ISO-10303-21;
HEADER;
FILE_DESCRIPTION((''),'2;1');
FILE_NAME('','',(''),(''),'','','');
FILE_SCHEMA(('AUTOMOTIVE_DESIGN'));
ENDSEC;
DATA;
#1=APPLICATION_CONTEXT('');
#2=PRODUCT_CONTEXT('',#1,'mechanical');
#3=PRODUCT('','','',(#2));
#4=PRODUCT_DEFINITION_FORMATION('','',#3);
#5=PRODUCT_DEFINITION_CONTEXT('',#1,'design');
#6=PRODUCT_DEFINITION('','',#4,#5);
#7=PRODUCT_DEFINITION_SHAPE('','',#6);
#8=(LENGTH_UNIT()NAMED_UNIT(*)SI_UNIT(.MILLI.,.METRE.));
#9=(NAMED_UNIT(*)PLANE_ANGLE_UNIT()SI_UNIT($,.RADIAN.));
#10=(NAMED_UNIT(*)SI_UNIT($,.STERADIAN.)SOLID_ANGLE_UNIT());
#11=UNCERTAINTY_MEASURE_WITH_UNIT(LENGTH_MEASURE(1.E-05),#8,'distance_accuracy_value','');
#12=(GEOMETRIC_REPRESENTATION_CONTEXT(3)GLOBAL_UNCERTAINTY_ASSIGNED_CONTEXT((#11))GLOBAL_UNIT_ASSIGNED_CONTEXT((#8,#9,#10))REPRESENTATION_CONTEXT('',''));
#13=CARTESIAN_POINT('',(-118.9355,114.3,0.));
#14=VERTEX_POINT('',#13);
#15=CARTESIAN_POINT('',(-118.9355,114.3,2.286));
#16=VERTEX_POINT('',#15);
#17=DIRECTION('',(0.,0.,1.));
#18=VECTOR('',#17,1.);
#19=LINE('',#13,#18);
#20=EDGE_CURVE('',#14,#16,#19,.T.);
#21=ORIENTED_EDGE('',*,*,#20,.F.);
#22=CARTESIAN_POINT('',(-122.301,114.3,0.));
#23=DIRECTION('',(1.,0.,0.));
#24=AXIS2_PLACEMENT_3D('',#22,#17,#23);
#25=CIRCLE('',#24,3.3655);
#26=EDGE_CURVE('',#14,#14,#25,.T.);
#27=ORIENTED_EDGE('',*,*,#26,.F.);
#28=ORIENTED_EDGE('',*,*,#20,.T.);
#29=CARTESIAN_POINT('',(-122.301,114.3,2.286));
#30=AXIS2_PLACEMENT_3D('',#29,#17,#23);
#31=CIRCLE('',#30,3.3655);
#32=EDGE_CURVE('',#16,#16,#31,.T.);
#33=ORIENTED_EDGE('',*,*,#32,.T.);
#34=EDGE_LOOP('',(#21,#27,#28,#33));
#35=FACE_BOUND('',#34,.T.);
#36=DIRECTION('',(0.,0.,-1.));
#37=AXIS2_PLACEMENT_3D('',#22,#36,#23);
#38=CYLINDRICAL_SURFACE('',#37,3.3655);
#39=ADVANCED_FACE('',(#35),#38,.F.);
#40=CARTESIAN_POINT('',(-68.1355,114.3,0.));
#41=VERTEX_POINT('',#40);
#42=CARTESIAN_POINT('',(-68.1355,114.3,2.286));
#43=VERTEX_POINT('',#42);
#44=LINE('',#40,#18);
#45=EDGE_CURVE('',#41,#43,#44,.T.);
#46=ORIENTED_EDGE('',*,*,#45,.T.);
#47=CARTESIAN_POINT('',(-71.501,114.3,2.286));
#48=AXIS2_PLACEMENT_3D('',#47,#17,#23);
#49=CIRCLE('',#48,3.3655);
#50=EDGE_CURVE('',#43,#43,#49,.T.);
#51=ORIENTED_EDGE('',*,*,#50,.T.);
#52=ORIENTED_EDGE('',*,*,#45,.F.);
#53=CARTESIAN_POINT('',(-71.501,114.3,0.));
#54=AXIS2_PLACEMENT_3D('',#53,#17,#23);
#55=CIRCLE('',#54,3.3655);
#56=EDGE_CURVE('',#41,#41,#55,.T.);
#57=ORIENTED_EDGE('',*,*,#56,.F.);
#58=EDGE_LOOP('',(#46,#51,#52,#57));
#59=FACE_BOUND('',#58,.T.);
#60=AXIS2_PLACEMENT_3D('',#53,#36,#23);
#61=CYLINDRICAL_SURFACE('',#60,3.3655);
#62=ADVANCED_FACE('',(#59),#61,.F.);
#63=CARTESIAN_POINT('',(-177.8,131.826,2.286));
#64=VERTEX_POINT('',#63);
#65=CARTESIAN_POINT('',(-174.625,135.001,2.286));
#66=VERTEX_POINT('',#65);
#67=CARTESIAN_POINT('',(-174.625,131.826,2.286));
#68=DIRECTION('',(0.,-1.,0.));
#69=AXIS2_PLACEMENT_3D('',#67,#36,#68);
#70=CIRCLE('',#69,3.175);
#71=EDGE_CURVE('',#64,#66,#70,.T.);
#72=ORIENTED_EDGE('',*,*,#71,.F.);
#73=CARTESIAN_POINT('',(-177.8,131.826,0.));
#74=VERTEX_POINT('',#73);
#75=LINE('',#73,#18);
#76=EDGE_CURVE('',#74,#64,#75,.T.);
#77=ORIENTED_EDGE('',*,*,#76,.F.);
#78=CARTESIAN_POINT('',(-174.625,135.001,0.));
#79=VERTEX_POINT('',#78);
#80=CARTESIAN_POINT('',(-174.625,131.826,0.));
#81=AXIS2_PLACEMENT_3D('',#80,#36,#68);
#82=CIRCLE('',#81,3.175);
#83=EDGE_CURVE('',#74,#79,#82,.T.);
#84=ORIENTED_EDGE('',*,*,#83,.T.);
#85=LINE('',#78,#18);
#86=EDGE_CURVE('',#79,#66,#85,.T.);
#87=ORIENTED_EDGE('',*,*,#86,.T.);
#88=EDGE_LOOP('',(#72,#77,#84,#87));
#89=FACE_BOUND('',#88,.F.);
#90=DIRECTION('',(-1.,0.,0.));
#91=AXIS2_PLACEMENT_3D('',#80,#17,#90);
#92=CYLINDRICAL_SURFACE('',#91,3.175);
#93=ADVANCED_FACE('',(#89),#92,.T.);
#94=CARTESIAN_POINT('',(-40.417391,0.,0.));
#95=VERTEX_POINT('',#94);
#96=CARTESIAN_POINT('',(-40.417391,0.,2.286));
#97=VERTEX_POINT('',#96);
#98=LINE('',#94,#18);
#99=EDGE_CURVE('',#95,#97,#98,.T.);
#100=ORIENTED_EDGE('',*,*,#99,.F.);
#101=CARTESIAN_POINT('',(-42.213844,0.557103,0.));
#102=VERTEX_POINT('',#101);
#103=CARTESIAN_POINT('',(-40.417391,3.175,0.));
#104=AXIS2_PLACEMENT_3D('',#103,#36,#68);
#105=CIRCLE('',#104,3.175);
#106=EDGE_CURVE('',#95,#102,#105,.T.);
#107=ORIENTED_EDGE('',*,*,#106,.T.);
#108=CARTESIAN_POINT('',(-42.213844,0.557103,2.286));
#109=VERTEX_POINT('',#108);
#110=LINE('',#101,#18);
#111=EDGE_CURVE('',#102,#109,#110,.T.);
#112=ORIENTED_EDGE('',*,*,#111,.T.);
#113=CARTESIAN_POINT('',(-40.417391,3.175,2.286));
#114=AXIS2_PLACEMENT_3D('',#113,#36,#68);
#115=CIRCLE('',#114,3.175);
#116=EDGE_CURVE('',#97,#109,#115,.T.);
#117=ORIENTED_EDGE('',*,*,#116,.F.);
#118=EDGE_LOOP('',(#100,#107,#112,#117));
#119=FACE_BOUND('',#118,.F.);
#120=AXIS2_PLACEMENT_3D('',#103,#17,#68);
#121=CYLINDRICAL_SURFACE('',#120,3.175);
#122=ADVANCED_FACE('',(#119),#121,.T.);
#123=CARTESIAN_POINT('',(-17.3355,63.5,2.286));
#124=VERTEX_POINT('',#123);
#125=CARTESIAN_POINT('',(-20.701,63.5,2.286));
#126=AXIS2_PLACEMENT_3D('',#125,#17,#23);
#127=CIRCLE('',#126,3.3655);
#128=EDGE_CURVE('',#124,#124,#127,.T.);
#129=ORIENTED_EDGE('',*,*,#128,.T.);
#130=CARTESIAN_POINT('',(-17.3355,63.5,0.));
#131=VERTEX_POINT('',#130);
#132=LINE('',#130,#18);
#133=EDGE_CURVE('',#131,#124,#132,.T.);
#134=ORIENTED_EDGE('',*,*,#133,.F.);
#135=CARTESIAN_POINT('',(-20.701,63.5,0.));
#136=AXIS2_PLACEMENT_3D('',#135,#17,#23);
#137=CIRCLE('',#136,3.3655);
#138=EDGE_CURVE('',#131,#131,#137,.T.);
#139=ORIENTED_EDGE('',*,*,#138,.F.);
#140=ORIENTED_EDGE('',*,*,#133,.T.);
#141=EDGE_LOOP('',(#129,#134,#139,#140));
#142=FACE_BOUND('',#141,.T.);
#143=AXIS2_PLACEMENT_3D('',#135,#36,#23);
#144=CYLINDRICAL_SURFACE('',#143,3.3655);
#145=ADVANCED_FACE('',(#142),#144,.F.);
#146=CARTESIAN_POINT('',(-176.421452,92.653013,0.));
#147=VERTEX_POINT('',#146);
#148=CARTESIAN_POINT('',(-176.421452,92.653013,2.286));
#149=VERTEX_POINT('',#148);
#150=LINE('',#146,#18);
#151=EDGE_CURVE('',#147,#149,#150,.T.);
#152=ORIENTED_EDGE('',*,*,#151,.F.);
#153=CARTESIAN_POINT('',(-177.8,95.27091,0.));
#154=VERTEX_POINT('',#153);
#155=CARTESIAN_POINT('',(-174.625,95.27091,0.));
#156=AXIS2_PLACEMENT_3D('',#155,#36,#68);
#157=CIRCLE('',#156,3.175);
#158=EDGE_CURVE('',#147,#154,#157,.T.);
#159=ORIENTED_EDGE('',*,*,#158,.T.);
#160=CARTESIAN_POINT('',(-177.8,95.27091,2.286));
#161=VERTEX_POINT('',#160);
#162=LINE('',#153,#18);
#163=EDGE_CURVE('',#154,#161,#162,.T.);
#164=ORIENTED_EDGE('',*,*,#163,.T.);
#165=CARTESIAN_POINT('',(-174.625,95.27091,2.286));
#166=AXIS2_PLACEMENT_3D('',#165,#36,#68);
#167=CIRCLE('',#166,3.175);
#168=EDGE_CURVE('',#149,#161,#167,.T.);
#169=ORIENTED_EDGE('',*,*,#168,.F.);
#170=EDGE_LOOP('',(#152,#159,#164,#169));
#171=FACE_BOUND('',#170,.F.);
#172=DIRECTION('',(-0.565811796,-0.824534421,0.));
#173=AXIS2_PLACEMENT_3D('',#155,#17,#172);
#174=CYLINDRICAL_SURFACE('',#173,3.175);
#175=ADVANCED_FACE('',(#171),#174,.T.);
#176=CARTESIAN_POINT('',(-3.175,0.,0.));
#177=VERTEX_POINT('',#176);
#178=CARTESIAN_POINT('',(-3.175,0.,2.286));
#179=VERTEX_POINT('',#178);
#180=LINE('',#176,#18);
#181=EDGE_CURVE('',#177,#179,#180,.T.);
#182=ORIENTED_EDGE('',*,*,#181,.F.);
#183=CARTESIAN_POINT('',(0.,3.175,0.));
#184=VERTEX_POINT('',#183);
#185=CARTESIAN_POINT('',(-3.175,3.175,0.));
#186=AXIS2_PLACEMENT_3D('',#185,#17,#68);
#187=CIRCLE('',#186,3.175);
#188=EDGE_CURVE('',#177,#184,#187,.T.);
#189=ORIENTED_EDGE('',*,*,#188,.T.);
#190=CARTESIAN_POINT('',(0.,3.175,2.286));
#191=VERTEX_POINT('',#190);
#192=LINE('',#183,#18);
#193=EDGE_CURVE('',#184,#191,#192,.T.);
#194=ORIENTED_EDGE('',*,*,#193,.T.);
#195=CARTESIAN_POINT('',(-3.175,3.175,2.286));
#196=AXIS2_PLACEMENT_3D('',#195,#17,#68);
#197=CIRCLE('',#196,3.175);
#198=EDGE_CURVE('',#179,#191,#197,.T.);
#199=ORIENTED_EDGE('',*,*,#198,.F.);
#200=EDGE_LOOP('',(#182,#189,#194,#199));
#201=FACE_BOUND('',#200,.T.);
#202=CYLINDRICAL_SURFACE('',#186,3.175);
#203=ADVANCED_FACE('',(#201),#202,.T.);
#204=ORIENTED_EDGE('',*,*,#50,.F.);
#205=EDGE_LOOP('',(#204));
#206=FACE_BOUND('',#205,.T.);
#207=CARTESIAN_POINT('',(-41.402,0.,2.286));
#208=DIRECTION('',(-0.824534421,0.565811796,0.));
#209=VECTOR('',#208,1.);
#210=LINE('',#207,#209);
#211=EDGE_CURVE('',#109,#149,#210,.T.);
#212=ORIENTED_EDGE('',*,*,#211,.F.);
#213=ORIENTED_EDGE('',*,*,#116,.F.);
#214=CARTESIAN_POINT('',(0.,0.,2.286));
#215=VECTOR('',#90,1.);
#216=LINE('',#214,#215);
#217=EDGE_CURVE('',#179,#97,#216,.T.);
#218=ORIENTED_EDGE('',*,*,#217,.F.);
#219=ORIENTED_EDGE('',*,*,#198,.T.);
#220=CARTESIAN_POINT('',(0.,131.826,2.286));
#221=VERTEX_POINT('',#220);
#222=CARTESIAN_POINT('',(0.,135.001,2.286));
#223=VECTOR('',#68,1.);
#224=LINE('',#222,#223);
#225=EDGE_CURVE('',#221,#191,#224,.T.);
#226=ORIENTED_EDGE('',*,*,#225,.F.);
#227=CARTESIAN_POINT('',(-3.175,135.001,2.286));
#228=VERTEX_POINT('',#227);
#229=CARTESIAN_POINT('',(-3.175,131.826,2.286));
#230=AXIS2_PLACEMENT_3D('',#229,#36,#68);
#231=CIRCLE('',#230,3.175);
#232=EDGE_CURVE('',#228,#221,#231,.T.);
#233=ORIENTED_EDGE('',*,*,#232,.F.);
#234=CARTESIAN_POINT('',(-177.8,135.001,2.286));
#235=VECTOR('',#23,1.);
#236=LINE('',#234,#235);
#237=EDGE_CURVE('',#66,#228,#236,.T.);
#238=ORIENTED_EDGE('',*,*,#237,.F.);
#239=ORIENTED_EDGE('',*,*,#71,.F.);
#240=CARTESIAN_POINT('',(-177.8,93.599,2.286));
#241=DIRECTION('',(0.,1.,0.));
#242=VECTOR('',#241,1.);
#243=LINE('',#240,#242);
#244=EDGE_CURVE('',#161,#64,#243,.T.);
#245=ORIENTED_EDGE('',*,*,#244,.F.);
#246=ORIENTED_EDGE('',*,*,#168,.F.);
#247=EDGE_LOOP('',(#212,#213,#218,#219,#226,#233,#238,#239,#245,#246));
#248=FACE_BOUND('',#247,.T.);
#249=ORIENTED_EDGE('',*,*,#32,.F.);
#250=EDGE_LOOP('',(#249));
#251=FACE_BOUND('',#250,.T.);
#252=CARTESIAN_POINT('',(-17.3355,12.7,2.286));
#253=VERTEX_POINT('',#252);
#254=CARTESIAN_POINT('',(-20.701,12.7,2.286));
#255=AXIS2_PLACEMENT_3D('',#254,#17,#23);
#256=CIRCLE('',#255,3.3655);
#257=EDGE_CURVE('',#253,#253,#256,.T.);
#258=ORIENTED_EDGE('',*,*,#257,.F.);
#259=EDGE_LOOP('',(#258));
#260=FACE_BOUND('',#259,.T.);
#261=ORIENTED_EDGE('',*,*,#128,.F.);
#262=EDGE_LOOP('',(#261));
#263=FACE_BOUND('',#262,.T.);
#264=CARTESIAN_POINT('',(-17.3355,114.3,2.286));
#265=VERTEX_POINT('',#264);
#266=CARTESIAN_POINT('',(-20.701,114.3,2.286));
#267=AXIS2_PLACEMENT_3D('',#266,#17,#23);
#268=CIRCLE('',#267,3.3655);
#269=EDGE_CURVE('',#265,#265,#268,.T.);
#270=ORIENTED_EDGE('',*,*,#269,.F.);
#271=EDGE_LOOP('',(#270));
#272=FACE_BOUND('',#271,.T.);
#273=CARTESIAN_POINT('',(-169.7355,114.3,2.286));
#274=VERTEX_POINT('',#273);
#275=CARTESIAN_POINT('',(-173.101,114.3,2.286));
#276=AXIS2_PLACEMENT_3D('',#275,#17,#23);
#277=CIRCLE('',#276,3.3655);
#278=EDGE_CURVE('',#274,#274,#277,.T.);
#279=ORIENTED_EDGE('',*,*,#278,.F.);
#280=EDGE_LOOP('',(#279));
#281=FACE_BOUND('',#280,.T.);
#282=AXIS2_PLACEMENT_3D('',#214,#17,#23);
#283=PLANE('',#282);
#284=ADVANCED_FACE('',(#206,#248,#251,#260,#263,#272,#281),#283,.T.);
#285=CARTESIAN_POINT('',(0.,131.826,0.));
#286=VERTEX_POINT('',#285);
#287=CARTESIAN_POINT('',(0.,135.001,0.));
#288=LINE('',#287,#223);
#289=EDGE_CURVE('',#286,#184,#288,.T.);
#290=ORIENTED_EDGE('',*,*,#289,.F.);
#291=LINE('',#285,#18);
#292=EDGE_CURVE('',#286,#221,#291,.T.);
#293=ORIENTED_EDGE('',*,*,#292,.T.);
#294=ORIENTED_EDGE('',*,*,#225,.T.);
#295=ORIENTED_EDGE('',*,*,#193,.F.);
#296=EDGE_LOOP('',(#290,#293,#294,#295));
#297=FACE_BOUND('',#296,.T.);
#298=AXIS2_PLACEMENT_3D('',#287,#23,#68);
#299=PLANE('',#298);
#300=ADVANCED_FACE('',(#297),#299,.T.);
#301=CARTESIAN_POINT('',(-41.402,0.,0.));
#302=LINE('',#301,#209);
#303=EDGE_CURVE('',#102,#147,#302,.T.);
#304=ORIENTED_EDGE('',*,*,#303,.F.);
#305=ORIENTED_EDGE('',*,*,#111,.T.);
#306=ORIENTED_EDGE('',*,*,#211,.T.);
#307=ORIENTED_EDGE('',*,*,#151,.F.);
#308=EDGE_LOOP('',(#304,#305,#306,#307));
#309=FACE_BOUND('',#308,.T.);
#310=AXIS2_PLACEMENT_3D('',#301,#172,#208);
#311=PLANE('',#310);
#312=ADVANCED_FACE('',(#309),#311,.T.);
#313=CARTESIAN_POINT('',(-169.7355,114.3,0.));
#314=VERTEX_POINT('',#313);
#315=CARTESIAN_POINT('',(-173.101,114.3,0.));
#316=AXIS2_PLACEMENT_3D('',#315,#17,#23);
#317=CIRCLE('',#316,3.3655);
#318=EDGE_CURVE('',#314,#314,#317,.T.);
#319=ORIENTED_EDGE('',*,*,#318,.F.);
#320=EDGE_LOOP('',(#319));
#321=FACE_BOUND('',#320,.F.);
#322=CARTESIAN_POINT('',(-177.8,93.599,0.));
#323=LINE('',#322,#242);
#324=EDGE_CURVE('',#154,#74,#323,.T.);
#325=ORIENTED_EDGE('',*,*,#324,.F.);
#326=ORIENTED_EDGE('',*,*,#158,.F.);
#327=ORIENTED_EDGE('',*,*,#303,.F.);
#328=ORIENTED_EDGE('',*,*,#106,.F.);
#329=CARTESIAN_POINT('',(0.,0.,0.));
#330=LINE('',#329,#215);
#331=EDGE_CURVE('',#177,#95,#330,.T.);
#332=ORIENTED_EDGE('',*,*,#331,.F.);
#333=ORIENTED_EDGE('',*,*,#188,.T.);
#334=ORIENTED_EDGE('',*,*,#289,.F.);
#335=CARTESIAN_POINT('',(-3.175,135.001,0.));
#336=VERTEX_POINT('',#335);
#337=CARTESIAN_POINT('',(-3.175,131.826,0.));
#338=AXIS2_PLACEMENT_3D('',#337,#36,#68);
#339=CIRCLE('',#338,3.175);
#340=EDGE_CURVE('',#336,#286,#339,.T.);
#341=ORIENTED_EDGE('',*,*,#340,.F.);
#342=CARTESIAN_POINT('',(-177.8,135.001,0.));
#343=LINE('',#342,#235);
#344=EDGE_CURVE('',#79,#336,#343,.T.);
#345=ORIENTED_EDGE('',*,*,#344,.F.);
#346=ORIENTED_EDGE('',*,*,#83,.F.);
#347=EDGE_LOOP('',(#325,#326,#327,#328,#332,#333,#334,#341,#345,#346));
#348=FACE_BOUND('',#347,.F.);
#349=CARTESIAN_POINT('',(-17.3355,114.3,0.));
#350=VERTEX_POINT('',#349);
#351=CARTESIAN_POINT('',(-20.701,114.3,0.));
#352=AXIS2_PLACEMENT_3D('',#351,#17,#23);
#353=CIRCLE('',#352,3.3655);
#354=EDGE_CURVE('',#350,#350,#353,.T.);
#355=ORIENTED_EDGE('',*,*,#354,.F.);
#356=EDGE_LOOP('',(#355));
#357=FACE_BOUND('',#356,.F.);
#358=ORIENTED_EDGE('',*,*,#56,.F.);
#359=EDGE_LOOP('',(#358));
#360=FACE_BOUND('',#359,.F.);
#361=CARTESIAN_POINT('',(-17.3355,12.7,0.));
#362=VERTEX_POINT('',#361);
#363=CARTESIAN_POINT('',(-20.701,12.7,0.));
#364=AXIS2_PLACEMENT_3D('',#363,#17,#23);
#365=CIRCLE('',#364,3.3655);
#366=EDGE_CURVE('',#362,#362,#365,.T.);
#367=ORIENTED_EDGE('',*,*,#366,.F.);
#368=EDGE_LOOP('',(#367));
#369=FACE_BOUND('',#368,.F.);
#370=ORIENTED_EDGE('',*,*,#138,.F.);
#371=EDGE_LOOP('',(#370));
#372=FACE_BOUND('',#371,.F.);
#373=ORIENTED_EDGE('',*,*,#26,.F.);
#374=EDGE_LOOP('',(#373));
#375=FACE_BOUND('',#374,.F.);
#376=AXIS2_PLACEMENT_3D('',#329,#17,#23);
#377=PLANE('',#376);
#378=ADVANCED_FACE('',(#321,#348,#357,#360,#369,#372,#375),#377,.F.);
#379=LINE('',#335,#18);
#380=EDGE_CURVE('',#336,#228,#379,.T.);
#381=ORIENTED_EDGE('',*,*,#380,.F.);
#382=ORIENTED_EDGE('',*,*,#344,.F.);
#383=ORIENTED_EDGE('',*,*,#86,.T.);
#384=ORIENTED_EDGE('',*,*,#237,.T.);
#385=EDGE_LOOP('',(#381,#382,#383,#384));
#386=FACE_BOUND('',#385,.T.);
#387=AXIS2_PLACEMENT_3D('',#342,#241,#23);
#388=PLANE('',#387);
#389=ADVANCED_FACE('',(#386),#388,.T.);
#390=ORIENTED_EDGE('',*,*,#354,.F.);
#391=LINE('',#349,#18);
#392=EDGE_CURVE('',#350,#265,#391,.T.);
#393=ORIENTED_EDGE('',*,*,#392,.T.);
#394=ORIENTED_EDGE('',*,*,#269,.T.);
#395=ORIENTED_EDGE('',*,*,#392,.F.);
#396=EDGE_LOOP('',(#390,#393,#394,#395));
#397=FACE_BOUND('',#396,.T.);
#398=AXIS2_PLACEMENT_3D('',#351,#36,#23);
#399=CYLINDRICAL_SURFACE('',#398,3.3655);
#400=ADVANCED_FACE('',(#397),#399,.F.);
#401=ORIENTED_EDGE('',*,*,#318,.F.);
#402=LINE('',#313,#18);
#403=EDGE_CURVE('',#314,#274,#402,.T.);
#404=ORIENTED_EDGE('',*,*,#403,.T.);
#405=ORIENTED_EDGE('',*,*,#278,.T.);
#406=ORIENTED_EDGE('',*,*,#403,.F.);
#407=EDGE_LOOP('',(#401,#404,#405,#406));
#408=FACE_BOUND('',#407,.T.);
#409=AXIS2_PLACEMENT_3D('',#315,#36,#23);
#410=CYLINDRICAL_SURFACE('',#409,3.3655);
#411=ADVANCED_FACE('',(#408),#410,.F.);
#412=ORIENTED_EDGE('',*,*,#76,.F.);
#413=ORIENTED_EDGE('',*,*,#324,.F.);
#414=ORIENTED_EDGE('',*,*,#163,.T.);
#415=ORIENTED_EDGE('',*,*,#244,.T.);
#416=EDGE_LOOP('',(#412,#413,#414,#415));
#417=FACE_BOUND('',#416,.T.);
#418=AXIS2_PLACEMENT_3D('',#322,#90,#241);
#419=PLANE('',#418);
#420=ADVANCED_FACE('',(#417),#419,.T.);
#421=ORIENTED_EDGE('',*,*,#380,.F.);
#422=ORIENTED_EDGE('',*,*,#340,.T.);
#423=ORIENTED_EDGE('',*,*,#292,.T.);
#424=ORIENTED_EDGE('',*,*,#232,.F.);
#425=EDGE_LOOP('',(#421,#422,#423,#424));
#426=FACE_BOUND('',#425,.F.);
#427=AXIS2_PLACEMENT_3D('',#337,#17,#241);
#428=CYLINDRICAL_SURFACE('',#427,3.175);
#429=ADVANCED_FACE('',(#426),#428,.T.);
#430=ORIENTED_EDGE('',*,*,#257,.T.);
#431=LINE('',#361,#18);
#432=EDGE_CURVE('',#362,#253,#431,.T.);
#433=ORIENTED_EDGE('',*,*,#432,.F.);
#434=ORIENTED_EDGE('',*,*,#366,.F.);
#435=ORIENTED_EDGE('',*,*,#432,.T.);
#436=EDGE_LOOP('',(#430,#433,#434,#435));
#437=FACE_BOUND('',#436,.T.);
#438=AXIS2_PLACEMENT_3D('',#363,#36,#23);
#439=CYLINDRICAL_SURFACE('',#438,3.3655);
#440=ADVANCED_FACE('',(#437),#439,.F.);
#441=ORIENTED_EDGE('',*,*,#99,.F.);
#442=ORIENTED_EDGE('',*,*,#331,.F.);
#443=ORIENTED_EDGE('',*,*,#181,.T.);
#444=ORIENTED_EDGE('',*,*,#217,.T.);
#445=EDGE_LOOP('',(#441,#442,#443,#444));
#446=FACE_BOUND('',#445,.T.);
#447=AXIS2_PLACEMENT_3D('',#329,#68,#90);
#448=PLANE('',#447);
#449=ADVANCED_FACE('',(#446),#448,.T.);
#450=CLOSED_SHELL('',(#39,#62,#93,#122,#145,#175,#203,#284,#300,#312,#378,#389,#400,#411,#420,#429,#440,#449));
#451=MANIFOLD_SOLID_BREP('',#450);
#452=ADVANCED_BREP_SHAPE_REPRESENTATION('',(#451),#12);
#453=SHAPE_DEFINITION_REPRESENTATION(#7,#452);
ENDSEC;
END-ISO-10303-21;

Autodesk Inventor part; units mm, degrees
ref_plane "YZ Plane" through (0, 0, 0) normal (1, 0, 0) x (0, 1, 0)
ref_plane "XZ Plane" through (0, 0, 0) normal (0, 1, 0) x (-1, 0, 0)
ref_plane "XY Plane" through (0, 0, 0) normal (0, 0, 1) x (1, 0, 0)
sketch "Sketch1" plane through (0, 0, 0) normal (0, 0, 1) x (1, 0, 0)
  line L0 (0, 0) -> (-41.402, 0)
  line L1 (-41.402, 0) -> (-177.8, 93.599)
  line L2 (-177.8, 93.599) -> (-177.8, 135.001)
  line L3 (-177.8, 135.001) -> (0, 135.001)
  line L4 (0, 135.001) -> (0, 0)
  circle A0 centre (-20.701, 12.7) radius 3.3655
  circle A1 centre (-20.701, 63.5) radius 3.3655
  circle A2 centre (-20.701, 114.3) radius 3.3655
  circle A3 centre (-71.501, 114.3) radius 3.3655
  circle A4 centre (-122.301, 114.3) radius 3.3655
  circle A5 centre (-173.101, 114.3) radius 3.3655
  dimension "d0" = 41.402
  dimension "d1" = 41.402
  dimension "d2" = 177.8
  dimension "d3" = 135.001
  dimension "d4" = 6.731
  dimension "d6" = 20.701
  dimension "d9" = 50.8
  dimension "d14" = 20.701
  dimension "d15" = 20.701
  dimension "d16" = 50.8
  dimension "d17" = 12.7
  dimension "d20" = 50.8
  dimension "d25" = 4.699
extrude "Extrusion1" add sketch "Sketch1" along normal blind 2.286
fillet "Fillet1" radius 3.175 5 edges at (0, 135.001, 1.143) (0, 0, 1.143) (-41.402, 0, 1.143) (-177.8, 93.599, 1.143) (-177.8, 135.001, 1.143)
sketch "Sketch2" plane through (0, 0, 2.286) normal (0, 0, 1) x (1, 0, 0)
  point P0 (0, 0)
properties part number "super5" material "Aluminum 6061"
